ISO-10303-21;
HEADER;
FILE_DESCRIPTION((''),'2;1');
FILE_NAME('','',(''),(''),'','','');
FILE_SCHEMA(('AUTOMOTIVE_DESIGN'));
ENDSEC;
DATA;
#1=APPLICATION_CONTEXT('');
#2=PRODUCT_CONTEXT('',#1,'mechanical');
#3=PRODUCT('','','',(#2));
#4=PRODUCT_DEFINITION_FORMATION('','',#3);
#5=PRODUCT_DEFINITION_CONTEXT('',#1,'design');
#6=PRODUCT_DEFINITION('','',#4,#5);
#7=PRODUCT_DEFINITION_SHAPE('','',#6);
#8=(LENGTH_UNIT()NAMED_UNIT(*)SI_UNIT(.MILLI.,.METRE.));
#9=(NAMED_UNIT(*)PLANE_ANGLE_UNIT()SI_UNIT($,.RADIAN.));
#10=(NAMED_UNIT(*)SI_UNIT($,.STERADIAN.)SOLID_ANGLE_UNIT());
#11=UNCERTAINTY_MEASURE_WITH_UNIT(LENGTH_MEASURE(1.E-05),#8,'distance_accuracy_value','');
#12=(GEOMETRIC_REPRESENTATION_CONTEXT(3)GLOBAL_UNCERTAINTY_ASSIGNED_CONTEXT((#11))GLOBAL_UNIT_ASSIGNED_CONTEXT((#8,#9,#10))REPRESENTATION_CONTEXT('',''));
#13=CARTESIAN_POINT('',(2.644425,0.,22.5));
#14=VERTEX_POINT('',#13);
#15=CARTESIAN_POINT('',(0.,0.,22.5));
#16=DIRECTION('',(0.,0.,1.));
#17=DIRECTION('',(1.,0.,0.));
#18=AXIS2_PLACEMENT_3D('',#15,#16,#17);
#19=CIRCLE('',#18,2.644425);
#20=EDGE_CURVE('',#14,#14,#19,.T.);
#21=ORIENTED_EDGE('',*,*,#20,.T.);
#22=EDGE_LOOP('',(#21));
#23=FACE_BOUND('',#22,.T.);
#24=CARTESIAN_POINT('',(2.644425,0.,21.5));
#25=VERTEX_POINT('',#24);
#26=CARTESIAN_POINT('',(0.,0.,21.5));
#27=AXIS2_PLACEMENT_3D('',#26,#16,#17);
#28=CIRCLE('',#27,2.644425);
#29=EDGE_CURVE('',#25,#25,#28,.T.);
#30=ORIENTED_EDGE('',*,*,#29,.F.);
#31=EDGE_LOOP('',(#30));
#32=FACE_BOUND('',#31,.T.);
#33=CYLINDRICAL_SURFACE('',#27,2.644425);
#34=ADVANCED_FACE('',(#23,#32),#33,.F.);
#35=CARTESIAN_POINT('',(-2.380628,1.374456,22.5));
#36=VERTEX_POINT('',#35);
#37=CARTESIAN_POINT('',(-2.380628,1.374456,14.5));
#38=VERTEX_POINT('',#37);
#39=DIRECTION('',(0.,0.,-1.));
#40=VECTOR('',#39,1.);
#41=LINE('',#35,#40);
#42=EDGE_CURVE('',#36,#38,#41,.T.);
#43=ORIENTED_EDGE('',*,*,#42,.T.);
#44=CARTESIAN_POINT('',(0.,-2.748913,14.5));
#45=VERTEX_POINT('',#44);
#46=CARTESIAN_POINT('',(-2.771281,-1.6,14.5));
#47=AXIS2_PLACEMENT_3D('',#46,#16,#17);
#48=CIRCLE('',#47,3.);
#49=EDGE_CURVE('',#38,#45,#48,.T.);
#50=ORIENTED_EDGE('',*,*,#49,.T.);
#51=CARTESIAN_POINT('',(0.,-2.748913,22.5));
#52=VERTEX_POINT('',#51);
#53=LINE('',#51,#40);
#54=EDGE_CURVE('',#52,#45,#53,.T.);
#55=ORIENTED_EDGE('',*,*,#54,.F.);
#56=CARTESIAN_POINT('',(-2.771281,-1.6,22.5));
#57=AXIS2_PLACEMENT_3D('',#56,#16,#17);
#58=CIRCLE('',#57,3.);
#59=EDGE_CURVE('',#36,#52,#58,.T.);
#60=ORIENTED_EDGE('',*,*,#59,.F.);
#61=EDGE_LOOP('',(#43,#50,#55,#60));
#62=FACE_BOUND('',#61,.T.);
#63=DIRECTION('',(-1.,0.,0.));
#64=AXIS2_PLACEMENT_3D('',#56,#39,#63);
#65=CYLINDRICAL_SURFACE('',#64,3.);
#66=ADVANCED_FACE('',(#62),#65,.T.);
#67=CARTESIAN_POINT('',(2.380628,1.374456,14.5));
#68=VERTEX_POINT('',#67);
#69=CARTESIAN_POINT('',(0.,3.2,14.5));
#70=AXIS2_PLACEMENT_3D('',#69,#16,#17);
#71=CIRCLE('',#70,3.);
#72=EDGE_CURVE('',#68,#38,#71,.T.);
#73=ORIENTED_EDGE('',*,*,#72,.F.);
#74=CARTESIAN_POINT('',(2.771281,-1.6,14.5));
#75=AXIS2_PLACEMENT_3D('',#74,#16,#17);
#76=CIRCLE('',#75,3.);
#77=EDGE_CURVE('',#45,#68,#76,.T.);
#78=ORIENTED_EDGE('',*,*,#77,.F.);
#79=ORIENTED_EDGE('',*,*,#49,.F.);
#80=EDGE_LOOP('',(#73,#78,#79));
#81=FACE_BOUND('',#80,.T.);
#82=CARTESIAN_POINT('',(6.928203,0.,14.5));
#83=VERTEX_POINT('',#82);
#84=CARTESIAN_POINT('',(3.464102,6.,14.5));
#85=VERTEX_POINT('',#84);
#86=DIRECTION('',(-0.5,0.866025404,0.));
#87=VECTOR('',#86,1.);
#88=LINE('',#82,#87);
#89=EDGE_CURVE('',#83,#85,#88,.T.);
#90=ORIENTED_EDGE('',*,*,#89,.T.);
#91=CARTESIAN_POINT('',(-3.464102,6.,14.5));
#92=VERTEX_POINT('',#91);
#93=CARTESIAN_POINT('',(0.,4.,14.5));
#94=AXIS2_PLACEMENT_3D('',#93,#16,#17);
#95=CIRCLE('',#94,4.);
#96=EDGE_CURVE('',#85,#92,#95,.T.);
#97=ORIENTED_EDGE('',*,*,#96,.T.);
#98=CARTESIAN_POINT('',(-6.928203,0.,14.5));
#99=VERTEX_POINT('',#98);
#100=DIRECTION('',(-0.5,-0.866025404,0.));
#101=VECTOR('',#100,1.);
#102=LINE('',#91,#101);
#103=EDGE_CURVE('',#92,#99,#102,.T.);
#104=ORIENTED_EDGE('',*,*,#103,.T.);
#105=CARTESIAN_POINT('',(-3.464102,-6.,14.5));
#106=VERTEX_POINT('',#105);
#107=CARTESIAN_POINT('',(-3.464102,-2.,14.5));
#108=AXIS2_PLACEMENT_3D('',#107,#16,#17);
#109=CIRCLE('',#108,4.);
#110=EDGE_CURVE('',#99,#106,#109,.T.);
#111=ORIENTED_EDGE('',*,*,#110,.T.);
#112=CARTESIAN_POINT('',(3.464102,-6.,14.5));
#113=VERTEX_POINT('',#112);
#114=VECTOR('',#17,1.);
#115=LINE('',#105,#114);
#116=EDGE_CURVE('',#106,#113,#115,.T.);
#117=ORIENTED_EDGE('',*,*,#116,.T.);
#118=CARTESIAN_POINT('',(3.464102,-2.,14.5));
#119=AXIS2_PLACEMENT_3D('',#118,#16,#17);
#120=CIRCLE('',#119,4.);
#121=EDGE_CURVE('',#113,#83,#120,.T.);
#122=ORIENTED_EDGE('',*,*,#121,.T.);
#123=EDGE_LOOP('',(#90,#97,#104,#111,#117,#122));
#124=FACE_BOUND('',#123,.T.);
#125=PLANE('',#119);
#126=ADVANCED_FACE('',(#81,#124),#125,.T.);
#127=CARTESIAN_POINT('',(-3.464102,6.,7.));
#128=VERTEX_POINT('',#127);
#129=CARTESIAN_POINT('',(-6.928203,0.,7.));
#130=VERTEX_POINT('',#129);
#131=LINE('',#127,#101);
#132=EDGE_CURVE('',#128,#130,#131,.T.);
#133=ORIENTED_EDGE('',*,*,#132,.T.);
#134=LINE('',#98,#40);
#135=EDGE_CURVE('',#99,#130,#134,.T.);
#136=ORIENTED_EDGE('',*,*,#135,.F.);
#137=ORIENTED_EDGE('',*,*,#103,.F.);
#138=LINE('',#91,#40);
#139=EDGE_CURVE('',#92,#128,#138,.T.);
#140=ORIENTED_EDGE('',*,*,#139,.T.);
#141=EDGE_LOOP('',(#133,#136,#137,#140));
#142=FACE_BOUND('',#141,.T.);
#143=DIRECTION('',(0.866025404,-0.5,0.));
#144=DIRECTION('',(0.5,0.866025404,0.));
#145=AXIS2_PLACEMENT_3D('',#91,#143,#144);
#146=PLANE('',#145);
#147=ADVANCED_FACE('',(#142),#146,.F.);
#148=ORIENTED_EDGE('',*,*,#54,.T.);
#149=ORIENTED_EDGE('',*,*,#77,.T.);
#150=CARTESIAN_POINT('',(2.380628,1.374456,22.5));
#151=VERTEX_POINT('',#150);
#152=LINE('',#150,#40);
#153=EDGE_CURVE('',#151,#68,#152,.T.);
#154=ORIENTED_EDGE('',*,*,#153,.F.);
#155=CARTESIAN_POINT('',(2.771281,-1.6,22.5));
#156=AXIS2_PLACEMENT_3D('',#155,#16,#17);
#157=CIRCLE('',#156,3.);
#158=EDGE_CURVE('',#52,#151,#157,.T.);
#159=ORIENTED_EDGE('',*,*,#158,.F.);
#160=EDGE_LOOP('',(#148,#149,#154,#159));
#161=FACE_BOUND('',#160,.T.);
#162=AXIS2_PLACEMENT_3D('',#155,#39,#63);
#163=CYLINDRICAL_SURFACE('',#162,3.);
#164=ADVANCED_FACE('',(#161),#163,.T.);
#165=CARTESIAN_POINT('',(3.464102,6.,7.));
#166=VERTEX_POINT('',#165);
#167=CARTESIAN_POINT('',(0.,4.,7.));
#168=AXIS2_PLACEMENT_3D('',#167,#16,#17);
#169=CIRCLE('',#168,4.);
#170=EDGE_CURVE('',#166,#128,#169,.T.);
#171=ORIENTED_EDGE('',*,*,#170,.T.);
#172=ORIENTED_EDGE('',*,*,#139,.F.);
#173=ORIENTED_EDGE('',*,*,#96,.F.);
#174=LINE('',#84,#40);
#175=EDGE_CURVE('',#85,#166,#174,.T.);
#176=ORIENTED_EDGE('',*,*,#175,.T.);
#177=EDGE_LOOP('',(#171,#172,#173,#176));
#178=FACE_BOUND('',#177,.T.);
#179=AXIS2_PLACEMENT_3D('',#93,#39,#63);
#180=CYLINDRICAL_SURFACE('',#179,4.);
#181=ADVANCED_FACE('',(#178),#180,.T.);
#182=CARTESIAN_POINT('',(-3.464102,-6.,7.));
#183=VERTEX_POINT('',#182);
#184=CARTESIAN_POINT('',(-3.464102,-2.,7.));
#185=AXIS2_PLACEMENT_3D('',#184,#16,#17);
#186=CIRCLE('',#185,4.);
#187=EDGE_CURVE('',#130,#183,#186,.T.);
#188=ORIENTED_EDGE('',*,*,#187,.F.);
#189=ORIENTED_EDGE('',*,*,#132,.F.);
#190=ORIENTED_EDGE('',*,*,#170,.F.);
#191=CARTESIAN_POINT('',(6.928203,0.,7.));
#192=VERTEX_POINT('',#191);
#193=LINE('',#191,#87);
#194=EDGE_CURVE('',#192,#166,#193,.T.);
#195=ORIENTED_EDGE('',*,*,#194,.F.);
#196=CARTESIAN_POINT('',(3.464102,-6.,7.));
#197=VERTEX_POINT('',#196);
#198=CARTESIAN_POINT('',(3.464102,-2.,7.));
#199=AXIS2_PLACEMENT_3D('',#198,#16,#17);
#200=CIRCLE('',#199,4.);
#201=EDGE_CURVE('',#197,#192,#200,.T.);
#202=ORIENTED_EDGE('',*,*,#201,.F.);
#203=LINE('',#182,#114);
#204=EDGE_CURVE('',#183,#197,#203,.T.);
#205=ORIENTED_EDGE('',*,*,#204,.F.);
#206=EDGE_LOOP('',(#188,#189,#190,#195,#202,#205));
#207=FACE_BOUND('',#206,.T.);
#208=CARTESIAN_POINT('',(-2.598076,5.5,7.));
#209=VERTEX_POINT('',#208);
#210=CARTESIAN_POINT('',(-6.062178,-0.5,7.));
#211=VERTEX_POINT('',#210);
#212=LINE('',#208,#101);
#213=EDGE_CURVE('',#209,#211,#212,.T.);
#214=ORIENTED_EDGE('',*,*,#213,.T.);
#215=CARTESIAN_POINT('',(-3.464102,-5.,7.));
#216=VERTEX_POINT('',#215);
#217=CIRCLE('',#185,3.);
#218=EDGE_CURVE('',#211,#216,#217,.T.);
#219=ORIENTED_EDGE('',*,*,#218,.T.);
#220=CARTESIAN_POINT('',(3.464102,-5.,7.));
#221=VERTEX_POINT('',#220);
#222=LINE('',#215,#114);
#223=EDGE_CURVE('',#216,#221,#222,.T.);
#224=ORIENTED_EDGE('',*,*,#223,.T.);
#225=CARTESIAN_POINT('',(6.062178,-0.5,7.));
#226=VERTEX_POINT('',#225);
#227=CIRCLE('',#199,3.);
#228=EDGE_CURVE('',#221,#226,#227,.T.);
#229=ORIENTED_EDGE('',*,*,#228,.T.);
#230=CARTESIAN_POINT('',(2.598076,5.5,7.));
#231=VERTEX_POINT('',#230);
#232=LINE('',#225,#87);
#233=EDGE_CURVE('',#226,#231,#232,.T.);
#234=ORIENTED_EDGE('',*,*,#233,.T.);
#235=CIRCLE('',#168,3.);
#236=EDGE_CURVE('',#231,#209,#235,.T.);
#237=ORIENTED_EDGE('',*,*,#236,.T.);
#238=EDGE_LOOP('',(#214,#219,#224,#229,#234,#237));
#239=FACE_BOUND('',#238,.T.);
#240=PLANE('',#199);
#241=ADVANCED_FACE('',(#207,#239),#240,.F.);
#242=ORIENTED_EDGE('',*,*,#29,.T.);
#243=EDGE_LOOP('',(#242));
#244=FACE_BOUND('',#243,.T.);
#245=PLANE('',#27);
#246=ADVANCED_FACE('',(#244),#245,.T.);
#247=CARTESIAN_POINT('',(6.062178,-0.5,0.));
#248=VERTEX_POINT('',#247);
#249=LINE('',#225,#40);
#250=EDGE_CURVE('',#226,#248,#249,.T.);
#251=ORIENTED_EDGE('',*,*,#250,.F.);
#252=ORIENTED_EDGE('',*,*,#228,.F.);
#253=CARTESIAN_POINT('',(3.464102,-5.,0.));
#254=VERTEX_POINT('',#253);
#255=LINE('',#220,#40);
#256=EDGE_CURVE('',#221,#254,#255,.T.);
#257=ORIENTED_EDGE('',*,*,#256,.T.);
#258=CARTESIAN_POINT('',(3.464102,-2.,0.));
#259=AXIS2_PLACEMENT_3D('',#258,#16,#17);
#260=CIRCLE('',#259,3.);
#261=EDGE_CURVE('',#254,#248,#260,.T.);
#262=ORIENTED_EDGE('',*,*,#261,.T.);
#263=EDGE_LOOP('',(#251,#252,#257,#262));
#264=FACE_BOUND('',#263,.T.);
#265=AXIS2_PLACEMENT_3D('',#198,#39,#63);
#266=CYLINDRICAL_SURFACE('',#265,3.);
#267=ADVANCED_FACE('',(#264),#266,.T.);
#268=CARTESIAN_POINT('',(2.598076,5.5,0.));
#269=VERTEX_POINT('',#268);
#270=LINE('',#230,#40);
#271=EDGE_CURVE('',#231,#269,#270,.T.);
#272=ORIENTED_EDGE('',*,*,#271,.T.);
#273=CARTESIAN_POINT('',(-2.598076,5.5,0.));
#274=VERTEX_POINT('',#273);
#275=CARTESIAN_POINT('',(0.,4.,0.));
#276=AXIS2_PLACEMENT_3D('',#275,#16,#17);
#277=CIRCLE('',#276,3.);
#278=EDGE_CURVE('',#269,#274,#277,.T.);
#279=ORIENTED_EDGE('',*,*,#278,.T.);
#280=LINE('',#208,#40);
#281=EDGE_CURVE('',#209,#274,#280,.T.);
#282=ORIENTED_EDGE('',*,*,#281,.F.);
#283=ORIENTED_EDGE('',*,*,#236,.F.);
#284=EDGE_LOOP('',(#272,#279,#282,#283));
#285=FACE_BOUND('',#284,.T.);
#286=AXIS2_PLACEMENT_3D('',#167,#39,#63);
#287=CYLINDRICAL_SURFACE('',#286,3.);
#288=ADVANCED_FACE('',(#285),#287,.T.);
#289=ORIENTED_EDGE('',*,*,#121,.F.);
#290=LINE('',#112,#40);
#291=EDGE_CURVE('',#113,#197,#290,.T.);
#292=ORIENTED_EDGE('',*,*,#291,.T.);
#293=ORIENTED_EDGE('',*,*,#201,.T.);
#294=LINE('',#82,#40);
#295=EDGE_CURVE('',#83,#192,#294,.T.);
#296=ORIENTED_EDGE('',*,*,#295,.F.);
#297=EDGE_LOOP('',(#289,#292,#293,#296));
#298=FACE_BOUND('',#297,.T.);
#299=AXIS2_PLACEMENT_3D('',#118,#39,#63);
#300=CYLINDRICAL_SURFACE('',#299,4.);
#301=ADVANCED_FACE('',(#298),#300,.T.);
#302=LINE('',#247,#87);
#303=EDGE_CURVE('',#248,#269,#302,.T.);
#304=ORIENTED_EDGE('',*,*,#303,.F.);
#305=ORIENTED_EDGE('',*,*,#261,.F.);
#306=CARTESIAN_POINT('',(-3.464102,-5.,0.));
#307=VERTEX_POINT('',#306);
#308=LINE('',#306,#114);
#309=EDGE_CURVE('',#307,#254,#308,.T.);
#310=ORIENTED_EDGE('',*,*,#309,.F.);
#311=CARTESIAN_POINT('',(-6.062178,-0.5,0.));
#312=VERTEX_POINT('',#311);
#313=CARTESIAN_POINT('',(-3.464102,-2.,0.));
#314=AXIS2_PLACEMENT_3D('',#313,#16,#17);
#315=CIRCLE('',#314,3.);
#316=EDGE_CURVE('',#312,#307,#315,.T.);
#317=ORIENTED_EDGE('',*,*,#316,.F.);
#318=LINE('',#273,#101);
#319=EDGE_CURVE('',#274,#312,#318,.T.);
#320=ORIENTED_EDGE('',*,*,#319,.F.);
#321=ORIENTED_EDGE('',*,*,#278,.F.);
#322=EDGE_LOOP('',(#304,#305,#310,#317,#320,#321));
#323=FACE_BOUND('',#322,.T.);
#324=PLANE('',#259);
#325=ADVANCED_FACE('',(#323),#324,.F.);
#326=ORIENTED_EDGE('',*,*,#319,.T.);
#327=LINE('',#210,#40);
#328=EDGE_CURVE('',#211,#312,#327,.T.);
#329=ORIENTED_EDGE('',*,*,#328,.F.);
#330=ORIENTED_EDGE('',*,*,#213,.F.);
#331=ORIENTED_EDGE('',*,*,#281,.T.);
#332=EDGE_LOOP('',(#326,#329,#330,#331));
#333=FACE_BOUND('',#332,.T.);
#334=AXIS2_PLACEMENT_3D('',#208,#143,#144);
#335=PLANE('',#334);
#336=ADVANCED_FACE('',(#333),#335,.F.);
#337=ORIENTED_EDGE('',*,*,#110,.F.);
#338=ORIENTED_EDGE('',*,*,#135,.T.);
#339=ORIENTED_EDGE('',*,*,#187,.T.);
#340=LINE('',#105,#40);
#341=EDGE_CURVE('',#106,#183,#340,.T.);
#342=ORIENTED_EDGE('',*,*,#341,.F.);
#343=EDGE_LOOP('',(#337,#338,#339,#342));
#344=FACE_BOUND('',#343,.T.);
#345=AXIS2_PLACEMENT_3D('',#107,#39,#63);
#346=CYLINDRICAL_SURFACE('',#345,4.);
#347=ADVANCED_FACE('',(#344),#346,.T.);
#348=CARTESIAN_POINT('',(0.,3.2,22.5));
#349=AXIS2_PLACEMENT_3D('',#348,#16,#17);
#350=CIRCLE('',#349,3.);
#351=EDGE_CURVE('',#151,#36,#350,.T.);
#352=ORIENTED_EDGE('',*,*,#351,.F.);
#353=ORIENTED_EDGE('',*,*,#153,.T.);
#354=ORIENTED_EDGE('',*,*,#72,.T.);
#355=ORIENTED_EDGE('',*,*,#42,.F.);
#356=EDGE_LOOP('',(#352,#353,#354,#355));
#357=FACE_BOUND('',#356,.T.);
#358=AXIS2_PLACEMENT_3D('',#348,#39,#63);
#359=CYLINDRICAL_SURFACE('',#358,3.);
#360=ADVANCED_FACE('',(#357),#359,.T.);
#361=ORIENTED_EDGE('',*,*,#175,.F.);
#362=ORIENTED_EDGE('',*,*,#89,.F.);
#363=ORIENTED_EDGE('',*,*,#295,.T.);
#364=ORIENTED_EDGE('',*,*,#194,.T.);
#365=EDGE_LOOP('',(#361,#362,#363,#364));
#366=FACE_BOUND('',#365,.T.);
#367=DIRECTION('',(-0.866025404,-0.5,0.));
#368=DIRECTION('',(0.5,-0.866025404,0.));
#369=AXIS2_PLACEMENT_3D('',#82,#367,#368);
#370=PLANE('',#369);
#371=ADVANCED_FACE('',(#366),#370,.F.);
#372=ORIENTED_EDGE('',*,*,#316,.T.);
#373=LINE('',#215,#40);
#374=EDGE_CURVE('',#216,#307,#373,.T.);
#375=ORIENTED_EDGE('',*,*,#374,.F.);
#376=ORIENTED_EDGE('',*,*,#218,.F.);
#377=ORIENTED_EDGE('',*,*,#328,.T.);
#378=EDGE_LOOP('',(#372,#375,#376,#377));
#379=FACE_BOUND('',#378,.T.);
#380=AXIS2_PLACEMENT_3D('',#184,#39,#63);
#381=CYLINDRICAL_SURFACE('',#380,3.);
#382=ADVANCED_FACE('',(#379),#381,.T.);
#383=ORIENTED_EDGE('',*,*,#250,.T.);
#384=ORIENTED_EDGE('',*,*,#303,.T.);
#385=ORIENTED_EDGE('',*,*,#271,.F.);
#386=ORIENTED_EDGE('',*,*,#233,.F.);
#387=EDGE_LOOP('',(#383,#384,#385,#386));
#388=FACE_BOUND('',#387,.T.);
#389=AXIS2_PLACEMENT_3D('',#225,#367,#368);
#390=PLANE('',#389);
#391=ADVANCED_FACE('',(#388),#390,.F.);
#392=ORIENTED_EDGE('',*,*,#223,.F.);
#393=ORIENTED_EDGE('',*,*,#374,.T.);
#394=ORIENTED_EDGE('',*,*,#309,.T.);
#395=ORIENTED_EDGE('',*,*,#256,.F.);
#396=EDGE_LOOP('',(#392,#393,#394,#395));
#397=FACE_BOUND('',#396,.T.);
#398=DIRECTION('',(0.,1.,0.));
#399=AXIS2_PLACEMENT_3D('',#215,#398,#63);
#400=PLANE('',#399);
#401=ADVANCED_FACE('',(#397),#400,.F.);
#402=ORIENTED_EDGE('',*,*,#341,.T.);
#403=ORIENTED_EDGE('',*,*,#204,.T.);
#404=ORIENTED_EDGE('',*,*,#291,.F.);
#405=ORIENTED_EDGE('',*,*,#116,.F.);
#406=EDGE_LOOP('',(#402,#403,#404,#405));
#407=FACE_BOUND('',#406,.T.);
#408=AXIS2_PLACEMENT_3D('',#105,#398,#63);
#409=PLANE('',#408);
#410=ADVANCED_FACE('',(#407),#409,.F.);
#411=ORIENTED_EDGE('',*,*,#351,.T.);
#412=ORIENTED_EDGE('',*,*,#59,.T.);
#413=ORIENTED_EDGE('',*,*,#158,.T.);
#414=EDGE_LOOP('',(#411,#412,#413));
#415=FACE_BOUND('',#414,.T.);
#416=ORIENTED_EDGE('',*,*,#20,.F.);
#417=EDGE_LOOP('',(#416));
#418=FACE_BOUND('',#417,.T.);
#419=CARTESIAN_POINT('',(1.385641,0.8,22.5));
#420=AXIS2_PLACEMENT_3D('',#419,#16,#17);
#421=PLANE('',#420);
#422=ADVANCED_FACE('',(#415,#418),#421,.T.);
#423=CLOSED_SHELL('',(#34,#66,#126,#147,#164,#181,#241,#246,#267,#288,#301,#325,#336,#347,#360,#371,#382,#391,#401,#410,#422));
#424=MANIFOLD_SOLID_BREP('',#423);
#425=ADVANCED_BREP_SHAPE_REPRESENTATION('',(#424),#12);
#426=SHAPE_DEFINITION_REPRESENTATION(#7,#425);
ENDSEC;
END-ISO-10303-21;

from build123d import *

# Parameters (mm, degrees)
EXTRUDE_1_DEPTH     = 7
EXTRUDE_2_DEPTH     = 7.5
EXTRUDE_3_DEPTH     = 8
SKETCH_4_R          = 2.644424532
CUT_EXTRUDE_1_DEPTH = 1


with BuildPart() as part:
    # ｽｹｯﾁ1 → ﾎﾞｽ - 押し出し1 (new body)
    with BuildSketch(Plane.XY):
        with BuildLine():
            Line((-2.598076211, 5.5), (-6.062177826, -0.5))
            ThreePointArc((-6.062177826, -0.5), (-6.062177826, -3.5), (-3.464101615, -5))
            Line((-3.464101615, -5), (3.464101615, -5))
            ThreePointArc((3.464101615, -5), (6.062177826, -3.5), (6.062177826, -0.5))
            Line((6.062177826, -0.5), (2.598076211, 5.5))
            ThreePointArc((2.598076211, 5.5), (0, 7), (-2.598076211, 5.5))
        make_face()
    extrude(amount=EXTRUDE_1_DEPTH)

    # ｽｹｯﾁ2 → ﾎﾞｽ - 押し出し2 (add)
    with BuildSketch(Plane.XY.offset(7)):
        with BuildLine():
            Line((6.92820323, 0), (3.464101615, 6))
            ThreePointArc((3.464101615, 6), (0, 8), (-3.464101615, 6))
            Line((-3.464101615, 6), (-6.92820323, 0))
            ThreePointArc((-6.92820323, 0), (-6.92820323, -4), (-3.464101615, -6))
            Line((-3.464101615, -6), (3.464101615, -6))
            ThreePointArc((3.464101615, -6), (6.92820323, -4), (6.92820323, 0))
        make_face()
    extrude(amount=EXTRUDE_2_DEPTH)

    # ｽｹｯﾁ3 → ﾎﾞｽ - 押し出し3 (add)
    with BuildSketch(Plane.XY.offset(14.5)):
        with BuildLine():
            ThreePointArc((-2.380628083, 1.374456265), (-5.369357503, -3.1), (0, -2.748912529))
            ThreePointArc((0, -2.748912529), (5.369357503, -3.1), (2.380628083, 1.374456265))
            ThreePointArc((2.380628083, 1.374456265), (0, 6.2), (-2.380628083, 1.374456265))
        make_face()
    extrude(amount=EXTRUDE_3_DEPTH)

    # ｽｹｯﾁ4 → ｶｯﾄ - 押し出し1 (cut)
    with BuildSketch(Plane.XY.offset(22.5)):
        Circle(SKETCH_4_R)
    extrude(amount=-CUT_EXTRUDE_1_DEPTH, mode=Mode.SUBTRACT)


solid = part.part
